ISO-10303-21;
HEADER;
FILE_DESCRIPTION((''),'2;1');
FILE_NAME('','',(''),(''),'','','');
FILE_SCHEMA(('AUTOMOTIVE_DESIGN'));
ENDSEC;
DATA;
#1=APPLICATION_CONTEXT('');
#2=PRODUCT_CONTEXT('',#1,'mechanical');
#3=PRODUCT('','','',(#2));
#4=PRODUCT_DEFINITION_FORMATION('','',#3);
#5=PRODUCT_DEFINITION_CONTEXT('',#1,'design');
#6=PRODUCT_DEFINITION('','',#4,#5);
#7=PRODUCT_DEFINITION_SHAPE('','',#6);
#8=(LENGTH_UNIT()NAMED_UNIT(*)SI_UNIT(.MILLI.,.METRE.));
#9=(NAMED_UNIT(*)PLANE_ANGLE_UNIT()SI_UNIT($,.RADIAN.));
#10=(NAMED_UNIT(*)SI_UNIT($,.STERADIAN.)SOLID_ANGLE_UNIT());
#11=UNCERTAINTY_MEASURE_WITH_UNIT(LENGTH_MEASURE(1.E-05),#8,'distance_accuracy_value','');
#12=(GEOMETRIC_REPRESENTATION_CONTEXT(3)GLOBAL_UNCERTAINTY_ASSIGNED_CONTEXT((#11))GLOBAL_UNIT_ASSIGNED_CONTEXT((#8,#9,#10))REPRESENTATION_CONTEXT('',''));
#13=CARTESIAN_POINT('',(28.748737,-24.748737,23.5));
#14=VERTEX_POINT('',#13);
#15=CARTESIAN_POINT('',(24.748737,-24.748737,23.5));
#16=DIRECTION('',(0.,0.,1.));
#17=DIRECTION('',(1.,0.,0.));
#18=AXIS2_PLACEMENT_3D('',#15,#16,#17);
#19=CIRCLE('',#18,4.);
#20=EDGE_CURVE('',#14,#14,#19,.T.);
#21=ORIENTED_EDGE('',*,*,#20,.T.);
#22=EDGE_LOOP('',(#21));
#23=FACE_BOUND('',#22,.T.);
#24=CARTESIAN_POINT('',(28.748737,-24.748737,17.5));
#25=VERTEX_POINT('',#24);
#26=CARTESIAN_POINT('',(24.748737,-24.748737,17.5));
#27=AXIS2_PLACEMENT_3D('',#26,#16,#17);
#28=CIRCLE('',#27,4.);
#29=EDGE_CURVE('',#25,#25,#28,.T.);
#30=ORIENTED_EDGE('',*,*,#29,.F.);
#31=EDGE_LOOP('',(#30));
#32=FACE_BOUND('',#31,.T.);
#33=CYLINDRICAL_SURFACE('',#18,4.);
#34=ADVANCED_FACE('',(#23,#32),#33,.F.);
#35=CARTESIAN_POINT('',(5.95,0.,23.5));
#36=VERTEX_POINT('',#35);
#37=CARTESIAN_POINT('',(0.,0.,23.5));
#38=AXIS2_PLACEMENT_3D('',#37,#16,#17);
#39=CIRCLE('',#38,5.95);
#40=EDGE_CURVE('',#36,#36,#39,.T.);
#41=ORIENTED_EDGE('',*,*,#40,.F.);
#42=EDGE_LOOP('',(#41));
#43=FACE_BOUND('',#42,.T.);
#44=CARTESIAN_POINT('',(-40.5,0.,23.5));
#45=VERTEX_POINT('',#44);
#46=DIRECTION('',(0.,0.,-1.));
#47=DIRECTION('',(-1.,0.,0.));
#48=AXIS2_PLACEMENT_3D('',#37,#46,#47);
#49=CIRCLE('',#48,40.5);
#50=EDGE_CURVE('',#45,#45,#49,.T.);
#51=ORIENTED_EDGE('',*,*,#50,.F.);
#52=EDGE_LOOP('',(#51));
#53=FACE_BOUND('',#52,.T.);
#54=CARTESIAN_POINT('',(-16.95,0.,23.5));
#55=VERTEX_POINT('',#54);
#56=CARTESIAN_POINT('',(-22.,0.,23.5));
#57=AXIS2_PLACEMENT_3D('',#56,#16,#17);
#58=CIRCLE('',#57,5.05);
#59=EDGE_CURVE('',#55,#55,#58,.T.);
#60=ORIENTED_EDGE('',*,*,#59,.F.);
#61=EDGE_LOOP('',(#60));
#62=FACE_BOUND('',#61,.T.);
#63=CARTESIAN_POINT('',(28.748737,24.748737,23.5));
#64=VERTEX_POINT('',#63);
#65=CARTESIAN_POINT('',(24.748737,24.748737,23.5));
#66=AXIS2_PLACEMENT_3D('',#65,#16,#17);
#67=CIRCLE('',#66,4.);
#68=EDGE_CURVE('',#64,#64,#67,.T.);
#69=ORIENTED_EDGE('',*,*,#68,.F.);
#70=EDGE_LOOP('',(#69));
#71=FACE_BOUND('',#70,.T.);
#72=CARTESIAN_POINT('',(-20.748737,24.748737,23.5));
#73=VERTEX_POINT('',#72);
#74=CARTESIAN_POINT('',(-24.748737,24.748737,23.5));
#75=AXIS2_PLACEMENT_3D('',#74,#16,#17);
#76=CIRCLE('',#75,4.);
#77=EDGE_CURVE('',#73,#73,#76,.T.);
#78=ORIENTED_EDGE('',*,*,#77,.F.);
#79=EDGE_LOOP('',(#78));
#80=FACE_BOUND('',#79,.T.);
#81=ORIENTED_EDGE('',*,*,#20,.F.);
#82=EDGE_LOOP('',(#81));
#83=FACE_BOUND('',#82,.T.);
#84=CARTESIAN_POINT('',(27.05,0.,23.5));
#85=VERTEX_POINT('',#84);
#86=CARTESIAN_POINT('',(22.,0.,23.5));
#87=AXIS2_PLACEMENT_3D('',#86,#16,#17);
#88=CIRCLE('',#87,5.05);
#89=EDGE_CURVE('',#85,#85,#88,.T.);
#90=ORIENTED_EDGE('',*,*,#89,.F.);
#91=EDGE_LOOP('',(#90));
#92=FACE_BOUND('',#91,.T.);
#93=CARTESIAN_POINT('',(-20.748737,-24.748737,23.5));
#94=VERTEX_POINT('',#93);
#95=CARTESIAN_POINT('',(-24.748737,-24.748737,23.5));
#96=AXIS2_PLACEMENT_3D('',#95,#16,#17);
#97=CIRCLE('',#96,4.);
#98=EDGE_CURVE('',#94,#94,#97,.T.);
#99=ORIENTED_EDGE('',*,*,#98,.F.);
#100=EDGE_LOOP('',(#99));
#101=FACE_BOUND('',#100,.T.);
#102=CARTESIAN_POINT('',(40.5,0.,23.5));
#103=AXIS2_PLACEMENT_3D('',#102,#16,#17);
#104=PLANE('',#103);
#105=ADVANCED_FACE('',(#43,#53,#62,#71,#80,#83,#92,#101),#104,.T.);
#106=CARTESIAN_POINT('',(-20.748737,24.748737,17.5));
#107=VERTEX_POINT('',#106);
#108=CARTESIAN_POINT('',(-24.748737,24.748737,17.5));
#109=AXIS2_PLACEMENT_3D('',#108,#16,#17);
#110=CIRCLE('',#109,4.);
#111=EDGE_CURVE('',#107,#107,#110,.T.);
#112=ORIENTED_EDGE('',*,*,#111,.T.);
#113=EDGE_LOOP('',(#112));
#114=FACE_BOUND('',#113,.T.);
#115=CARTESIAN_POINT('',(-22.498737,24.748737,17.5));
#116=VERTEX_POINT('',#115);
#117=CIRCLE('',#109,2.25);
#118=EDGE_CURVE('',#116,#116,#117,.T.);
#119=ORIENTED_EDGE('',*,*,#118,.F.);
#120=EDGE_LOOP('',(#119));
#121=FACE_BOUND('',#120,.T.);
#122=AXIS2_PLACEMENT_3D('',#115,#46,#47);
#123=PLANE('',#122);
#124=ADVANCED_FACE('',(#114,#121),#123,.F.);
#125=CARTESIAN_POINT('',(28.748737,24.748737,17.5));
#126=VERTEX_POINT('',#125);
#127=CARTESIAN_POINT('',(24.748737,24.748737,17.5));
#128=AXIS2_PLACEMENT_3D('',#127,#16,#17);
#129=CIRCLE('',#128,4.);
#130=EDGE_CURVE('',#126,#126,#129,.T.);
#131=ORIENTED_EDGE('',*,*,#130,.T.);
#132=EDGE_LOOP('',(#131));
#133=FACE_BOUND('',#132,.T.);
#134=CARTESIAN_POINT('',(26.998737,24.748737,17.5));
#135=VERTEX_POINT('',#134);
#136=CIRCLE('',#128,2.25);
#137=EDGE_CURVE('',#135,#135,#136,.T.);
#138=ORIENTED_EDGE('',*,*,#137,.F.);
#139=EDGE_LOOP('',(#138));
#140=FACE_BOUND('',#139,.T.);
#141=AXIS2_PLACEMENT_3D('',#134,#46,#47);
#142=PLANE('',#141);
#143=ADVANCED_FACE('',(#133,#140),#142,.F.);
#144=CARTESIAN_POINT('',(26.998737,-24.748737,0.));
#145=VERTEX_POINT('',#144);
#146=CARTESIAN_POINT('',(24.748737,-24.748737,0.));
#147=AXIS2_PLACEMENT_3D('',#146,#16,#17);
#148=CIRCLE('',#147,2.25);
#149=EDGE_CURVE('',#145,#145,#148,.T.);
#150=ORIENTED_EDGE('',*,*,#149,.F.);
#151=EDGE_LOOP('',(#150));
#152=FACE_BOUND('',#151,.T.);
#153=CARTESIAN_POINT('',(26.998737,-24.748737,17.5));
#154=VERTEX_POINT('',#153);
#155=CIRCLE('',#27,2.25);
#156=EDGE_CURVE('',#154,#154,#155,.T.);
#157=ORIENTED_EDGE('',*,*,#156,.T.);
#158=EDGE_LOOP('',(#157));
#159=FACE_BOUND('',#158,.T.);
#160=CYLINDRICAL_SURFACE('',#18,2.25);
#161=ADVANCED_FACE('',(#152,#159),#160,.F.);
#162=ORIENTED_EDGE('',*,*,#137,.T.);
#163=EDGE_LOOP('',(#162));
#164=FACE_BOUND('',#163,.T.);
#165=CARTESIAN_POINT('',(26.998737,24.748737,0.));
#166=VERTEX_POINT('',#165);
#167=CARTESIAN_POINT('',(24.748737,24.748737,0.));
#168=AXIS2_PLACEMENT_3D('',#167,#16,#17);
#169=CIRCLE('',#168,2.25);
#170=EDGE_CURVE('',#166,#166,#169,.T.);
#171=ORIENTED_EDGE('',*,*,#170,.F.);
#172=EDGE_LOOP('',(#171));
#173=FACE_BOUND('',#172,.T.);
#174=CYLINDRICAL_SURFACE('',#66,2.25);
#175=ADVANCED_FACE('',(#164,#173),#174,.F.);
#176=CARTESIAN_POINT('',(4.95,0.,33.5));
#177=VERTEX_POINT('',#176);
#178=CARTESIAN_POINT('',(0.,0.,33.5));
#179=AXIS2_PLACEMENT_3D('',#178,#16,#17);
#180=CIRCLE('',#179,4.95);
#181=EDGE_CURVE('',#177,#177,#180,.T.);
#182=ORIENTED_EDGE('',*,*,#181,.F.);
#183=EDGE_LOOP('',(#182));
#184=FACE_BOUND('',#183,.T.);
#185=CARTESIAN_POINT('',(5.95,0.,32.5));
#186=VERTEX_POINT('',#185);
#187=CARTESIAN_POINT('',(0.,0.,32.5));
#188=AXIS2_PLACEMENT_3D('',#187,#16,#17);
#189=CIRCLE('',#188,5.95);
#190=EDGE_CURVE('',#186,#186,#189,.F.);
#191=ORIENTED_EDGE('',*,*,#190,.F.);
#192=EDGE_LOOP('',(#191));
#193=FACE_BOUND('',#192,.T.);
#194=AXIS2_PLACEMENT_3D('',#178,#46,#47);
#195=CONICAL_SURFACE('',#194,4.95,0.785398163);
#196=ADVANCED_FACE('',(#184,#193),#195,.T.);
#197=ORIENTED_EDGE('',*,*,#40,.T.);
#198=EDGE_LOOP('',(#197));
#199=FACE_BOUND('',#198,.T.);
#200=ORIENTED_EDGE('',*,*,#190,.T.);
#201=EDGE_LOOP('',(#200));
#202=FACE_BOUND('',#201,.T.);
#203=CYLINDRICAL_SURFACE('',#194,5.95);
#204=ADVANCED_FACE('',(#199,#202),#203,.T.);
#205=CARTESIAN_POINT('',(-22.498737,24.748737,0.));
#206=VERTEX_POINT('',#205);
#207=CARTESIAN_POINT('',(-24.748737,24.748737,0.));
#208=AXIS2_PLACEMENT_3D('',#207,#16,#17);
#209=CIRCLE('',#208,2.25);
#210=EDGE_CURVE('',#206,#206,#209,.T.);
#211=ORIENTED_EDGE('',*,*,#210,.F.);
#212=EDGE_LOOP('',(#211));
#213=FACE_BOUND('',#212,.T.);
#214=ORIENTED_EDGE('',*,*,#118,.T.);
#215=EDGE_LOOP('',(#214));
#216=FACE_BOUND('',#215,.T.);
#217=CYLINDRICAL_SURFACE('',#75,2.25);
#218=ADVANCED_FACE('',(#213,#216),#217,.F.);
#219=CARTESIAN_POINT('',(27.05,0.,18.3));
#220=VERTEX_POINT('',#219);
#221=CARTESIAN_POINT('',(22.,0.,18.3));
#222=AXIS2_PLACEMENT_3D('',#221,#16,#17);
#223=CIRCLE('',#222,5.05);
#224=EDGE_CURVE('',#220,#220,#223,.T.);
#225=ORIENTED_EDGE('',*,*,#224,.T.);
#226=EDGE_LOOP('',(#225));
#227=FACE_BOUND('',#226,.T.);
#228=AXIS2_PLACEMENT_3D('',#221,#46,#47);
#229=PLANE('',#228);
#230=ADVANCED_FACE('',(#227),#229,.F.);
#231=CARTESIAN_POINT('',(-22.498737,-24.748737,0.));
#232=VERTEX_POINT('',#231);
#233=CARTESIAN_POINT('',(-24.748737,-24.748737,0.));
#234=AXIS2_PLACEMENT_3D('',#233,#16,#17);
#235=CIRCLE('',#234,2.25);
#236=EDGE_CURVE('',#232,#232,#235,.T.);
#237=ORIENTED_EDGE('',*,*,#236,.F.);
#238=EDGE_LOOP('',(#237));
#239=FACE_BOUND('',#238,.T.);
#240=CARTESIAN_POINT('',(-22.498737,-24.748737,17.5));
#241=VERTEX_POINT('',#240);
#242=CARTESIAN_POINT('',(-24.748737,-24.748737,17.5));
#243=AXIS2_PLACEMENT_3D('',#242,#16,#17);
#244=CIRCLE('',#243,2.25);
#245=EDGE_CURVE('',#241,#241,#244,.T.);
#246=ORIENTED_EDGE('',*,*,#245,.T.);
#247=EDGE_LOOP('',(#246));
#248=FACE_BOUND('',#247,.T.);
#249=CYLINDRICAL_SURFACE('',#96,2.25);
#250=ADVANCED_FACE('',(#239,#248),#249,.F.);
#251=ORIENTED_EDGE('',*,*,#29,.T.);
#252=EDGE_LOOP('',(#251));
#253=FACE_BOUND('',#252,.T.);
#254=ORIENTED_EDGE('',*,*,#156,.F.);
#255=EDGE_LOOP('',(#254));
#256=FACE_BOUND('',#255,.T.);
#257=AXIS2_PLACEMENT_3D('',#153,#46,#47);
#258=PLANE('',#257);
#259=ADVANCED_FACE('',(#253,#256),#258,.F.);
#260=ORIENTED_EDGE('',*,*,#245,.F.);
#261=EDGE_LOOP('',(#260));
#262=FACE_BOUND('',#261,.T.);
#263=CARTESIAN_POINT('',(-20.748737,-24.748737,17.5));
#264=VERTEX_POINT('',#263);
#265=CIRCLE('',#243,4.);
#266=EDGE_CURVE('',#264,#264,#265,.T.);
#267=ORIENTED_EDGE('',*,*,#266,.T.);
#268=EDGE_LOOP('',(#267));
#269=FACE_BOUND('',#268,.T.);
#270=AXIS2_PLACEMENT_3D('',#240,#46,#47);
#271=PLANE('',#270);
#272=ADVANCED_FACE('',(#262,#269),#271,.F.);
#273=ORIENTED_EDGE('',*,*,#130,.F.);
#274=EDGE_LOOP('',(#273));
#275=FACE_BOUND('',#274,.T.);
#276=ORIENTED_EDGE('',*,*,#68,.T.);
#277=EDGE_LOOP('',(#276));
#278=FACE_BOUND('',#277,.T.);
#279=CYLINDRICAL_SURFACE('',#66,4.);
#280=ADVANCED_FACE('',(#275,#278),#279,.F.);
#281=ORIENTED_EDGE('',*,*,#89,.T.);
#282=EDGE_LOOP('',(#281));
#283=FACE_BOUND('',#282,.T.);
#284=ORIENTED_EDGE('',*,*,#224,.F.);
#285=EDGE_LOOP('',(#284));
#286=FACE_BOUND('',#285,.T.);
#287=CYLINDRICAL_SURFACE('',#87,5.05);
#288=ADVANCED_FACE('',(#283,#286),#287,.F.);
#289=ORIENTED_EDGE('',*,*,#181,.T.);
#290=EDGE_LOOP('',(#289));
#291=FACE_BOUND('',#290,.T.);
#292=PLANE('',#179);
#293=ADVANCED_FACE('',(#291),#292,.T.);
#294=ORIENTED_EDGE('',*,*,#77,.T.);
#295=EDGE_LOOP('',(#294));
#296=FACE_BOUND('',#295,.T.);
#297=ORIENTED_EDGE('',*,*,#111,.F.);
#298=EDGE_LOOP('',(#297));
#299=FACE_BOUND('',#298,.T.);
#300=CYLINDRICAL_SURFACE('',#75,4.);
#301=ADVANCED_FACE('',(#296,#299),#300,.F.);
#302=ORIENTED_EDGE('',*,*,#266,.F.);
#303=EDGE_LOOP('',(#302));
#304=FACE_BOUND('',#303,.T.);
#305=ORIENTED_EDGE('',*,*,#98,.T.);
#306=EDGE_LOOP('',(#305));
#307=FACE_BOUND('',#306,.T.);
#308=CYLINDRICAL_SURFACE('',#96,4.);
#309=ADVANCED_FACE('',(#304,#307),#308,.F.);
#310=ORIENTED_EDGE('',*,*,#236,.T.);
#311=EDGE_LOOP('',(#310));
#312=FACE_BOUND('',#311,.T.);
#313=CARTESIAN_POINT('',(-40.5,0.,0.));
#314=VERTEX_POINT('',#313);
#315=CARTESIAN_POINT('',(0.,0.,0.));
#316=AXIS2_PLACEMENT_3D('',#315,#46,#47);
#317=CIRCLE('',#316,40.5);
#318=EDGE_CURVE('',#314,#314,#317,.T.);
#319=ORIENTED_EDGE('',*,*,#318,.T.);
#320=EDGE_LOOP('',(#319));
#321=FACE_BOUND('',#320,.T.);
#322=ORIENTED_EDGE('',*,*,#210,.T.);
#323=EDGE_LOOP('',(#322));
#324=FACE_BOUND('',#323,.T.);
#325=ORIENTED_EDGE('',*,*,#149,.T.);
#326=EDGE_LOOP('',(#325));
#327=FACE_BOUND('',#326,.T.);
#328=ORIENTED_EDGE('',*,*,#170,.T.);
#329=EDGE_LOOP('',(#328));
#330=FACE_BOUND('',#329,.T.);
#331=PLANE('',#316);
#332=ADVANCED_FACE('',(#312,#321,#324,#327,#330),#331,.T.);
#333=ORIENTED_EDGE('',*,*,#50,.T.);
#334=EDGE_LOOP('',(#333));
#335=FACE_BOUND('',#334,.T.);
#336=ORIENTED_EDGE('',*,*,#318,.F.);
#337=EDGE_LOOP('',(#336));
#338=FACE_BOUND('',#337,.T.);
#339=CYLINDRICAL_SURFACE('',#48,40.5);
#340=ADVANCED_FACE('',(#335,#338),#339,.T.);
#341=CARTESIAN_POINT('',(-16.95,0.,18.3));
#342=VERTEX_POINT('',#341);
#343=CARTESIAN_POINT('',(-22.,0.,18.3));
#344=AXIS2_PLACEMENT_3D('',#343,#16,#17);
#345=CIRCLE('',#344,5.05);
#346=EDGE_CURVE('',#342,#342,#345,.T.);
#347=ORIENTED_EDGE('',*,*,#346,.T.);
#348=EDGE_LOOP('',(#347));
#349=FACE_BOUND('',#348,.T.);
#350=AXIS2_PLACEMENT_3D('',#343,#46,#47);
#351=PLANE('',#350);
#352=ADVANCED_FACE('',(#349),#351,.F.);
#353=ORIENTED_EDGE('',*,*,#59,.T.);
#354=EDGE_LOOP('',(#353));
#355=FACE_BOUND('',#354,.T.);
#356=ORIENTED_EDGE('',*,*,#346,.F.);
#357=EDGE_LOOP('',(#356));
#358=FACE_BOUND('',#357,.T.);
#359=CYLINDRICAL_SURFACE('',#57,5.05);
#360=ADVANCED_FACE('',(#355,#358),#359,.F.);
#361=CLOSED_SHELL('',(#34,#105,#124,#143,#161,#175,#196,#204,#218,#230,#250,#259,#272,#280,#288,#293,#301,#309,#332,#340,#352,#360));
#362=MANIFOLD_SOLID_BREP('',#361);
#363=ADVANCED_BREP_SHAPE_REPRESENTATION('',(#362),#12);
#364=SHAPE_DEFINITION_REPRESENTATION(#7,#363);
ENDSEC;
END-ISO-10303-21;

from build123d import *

# Parameters (mm, degrees)
SKETCH1_W                                        = 40.5
SKETCH1_H                                        = 23.5
SKETCH2_R                                        = 5.95
BOSS_EXTRUDE1_DEPTH                              = 10
HOLE1_D                                          = 10.1
HOLE1_DEPTH                                      = 5.2
CBORE_FOR_M4_HEX_HEAD_MACHINE_SCREW1_D           = 4.5
CBORE_FOR_M4_HEX_HEAD_MACHINE_SCREW1_CBORE_D     = 8
CBORE_FOR_M4_HEX_HEAD_MACHINE_SCREW1_CBORE_DEPTH = 6
CHAMFER1_SIZE                                    = 1


with BuildPart() as part:
    # Sketch1 → Revolve1 (revolve)
    with BuildSketch(Plane.XZ, mode=Mode.PRIVATE) as revolve1_sk:
        with Locations((20.25, 11.75)):
            Rectangle(SKETCH1_W, SKETCH1_H)
    revolve(revolve1_sk.sketch.rotate(Axis((0, 0, 23.5), (0, 0, -1)), 180), axis=Axis((0, 0, 23.5), (0, 0, -1)))

    # Sketch2 → Boss-Extrude1 (add)
    with BuildSketch(Plane.XY.offset(23.5)):
        Circle(SKETCH2_R)
    extrude(amount=BOSS_EXTRUDE1_DEPTH)

    # Hole1
    with Locations(Plane.XY.offset(23.5)):
        with Locations((22, 0), (-22, 0)):
            Hole(HOLE1_D / 2, depth=HOLE1_DEPTH)

    # CBORE for M4 Hex Head Machine Screw1 (through all)
    with Locations(Plane.XY.offset(23.5)):
        with Locations((24.748737342, 24.748737342), (-24.748737342, 24.748737342), (24.748737342, -24.748737342), (-24.748737342, -24.748737342)):
            CounterBoreHole(CBORE_FOR_M4_HEX_HEAD_MACHINE_SCREW1_D / 2, CBORE_FOR_M4_HEX_HEAD_MACHINE_SCREW1_CBORE_D / 2, CBORE_FOR_M4_HEX_HEAD_MACHINE_SCREW1_CBORE_DEPTH)

    # Chamfer1
    chamfer1_edges = [part.edges().sort_by_distance(p)[0] for p in [
        (-5.95, 0, 33.5),
    ]]
    chamfer(chamfer1_edges, length=CHAMFER1_SIZE)


solid = part.part
